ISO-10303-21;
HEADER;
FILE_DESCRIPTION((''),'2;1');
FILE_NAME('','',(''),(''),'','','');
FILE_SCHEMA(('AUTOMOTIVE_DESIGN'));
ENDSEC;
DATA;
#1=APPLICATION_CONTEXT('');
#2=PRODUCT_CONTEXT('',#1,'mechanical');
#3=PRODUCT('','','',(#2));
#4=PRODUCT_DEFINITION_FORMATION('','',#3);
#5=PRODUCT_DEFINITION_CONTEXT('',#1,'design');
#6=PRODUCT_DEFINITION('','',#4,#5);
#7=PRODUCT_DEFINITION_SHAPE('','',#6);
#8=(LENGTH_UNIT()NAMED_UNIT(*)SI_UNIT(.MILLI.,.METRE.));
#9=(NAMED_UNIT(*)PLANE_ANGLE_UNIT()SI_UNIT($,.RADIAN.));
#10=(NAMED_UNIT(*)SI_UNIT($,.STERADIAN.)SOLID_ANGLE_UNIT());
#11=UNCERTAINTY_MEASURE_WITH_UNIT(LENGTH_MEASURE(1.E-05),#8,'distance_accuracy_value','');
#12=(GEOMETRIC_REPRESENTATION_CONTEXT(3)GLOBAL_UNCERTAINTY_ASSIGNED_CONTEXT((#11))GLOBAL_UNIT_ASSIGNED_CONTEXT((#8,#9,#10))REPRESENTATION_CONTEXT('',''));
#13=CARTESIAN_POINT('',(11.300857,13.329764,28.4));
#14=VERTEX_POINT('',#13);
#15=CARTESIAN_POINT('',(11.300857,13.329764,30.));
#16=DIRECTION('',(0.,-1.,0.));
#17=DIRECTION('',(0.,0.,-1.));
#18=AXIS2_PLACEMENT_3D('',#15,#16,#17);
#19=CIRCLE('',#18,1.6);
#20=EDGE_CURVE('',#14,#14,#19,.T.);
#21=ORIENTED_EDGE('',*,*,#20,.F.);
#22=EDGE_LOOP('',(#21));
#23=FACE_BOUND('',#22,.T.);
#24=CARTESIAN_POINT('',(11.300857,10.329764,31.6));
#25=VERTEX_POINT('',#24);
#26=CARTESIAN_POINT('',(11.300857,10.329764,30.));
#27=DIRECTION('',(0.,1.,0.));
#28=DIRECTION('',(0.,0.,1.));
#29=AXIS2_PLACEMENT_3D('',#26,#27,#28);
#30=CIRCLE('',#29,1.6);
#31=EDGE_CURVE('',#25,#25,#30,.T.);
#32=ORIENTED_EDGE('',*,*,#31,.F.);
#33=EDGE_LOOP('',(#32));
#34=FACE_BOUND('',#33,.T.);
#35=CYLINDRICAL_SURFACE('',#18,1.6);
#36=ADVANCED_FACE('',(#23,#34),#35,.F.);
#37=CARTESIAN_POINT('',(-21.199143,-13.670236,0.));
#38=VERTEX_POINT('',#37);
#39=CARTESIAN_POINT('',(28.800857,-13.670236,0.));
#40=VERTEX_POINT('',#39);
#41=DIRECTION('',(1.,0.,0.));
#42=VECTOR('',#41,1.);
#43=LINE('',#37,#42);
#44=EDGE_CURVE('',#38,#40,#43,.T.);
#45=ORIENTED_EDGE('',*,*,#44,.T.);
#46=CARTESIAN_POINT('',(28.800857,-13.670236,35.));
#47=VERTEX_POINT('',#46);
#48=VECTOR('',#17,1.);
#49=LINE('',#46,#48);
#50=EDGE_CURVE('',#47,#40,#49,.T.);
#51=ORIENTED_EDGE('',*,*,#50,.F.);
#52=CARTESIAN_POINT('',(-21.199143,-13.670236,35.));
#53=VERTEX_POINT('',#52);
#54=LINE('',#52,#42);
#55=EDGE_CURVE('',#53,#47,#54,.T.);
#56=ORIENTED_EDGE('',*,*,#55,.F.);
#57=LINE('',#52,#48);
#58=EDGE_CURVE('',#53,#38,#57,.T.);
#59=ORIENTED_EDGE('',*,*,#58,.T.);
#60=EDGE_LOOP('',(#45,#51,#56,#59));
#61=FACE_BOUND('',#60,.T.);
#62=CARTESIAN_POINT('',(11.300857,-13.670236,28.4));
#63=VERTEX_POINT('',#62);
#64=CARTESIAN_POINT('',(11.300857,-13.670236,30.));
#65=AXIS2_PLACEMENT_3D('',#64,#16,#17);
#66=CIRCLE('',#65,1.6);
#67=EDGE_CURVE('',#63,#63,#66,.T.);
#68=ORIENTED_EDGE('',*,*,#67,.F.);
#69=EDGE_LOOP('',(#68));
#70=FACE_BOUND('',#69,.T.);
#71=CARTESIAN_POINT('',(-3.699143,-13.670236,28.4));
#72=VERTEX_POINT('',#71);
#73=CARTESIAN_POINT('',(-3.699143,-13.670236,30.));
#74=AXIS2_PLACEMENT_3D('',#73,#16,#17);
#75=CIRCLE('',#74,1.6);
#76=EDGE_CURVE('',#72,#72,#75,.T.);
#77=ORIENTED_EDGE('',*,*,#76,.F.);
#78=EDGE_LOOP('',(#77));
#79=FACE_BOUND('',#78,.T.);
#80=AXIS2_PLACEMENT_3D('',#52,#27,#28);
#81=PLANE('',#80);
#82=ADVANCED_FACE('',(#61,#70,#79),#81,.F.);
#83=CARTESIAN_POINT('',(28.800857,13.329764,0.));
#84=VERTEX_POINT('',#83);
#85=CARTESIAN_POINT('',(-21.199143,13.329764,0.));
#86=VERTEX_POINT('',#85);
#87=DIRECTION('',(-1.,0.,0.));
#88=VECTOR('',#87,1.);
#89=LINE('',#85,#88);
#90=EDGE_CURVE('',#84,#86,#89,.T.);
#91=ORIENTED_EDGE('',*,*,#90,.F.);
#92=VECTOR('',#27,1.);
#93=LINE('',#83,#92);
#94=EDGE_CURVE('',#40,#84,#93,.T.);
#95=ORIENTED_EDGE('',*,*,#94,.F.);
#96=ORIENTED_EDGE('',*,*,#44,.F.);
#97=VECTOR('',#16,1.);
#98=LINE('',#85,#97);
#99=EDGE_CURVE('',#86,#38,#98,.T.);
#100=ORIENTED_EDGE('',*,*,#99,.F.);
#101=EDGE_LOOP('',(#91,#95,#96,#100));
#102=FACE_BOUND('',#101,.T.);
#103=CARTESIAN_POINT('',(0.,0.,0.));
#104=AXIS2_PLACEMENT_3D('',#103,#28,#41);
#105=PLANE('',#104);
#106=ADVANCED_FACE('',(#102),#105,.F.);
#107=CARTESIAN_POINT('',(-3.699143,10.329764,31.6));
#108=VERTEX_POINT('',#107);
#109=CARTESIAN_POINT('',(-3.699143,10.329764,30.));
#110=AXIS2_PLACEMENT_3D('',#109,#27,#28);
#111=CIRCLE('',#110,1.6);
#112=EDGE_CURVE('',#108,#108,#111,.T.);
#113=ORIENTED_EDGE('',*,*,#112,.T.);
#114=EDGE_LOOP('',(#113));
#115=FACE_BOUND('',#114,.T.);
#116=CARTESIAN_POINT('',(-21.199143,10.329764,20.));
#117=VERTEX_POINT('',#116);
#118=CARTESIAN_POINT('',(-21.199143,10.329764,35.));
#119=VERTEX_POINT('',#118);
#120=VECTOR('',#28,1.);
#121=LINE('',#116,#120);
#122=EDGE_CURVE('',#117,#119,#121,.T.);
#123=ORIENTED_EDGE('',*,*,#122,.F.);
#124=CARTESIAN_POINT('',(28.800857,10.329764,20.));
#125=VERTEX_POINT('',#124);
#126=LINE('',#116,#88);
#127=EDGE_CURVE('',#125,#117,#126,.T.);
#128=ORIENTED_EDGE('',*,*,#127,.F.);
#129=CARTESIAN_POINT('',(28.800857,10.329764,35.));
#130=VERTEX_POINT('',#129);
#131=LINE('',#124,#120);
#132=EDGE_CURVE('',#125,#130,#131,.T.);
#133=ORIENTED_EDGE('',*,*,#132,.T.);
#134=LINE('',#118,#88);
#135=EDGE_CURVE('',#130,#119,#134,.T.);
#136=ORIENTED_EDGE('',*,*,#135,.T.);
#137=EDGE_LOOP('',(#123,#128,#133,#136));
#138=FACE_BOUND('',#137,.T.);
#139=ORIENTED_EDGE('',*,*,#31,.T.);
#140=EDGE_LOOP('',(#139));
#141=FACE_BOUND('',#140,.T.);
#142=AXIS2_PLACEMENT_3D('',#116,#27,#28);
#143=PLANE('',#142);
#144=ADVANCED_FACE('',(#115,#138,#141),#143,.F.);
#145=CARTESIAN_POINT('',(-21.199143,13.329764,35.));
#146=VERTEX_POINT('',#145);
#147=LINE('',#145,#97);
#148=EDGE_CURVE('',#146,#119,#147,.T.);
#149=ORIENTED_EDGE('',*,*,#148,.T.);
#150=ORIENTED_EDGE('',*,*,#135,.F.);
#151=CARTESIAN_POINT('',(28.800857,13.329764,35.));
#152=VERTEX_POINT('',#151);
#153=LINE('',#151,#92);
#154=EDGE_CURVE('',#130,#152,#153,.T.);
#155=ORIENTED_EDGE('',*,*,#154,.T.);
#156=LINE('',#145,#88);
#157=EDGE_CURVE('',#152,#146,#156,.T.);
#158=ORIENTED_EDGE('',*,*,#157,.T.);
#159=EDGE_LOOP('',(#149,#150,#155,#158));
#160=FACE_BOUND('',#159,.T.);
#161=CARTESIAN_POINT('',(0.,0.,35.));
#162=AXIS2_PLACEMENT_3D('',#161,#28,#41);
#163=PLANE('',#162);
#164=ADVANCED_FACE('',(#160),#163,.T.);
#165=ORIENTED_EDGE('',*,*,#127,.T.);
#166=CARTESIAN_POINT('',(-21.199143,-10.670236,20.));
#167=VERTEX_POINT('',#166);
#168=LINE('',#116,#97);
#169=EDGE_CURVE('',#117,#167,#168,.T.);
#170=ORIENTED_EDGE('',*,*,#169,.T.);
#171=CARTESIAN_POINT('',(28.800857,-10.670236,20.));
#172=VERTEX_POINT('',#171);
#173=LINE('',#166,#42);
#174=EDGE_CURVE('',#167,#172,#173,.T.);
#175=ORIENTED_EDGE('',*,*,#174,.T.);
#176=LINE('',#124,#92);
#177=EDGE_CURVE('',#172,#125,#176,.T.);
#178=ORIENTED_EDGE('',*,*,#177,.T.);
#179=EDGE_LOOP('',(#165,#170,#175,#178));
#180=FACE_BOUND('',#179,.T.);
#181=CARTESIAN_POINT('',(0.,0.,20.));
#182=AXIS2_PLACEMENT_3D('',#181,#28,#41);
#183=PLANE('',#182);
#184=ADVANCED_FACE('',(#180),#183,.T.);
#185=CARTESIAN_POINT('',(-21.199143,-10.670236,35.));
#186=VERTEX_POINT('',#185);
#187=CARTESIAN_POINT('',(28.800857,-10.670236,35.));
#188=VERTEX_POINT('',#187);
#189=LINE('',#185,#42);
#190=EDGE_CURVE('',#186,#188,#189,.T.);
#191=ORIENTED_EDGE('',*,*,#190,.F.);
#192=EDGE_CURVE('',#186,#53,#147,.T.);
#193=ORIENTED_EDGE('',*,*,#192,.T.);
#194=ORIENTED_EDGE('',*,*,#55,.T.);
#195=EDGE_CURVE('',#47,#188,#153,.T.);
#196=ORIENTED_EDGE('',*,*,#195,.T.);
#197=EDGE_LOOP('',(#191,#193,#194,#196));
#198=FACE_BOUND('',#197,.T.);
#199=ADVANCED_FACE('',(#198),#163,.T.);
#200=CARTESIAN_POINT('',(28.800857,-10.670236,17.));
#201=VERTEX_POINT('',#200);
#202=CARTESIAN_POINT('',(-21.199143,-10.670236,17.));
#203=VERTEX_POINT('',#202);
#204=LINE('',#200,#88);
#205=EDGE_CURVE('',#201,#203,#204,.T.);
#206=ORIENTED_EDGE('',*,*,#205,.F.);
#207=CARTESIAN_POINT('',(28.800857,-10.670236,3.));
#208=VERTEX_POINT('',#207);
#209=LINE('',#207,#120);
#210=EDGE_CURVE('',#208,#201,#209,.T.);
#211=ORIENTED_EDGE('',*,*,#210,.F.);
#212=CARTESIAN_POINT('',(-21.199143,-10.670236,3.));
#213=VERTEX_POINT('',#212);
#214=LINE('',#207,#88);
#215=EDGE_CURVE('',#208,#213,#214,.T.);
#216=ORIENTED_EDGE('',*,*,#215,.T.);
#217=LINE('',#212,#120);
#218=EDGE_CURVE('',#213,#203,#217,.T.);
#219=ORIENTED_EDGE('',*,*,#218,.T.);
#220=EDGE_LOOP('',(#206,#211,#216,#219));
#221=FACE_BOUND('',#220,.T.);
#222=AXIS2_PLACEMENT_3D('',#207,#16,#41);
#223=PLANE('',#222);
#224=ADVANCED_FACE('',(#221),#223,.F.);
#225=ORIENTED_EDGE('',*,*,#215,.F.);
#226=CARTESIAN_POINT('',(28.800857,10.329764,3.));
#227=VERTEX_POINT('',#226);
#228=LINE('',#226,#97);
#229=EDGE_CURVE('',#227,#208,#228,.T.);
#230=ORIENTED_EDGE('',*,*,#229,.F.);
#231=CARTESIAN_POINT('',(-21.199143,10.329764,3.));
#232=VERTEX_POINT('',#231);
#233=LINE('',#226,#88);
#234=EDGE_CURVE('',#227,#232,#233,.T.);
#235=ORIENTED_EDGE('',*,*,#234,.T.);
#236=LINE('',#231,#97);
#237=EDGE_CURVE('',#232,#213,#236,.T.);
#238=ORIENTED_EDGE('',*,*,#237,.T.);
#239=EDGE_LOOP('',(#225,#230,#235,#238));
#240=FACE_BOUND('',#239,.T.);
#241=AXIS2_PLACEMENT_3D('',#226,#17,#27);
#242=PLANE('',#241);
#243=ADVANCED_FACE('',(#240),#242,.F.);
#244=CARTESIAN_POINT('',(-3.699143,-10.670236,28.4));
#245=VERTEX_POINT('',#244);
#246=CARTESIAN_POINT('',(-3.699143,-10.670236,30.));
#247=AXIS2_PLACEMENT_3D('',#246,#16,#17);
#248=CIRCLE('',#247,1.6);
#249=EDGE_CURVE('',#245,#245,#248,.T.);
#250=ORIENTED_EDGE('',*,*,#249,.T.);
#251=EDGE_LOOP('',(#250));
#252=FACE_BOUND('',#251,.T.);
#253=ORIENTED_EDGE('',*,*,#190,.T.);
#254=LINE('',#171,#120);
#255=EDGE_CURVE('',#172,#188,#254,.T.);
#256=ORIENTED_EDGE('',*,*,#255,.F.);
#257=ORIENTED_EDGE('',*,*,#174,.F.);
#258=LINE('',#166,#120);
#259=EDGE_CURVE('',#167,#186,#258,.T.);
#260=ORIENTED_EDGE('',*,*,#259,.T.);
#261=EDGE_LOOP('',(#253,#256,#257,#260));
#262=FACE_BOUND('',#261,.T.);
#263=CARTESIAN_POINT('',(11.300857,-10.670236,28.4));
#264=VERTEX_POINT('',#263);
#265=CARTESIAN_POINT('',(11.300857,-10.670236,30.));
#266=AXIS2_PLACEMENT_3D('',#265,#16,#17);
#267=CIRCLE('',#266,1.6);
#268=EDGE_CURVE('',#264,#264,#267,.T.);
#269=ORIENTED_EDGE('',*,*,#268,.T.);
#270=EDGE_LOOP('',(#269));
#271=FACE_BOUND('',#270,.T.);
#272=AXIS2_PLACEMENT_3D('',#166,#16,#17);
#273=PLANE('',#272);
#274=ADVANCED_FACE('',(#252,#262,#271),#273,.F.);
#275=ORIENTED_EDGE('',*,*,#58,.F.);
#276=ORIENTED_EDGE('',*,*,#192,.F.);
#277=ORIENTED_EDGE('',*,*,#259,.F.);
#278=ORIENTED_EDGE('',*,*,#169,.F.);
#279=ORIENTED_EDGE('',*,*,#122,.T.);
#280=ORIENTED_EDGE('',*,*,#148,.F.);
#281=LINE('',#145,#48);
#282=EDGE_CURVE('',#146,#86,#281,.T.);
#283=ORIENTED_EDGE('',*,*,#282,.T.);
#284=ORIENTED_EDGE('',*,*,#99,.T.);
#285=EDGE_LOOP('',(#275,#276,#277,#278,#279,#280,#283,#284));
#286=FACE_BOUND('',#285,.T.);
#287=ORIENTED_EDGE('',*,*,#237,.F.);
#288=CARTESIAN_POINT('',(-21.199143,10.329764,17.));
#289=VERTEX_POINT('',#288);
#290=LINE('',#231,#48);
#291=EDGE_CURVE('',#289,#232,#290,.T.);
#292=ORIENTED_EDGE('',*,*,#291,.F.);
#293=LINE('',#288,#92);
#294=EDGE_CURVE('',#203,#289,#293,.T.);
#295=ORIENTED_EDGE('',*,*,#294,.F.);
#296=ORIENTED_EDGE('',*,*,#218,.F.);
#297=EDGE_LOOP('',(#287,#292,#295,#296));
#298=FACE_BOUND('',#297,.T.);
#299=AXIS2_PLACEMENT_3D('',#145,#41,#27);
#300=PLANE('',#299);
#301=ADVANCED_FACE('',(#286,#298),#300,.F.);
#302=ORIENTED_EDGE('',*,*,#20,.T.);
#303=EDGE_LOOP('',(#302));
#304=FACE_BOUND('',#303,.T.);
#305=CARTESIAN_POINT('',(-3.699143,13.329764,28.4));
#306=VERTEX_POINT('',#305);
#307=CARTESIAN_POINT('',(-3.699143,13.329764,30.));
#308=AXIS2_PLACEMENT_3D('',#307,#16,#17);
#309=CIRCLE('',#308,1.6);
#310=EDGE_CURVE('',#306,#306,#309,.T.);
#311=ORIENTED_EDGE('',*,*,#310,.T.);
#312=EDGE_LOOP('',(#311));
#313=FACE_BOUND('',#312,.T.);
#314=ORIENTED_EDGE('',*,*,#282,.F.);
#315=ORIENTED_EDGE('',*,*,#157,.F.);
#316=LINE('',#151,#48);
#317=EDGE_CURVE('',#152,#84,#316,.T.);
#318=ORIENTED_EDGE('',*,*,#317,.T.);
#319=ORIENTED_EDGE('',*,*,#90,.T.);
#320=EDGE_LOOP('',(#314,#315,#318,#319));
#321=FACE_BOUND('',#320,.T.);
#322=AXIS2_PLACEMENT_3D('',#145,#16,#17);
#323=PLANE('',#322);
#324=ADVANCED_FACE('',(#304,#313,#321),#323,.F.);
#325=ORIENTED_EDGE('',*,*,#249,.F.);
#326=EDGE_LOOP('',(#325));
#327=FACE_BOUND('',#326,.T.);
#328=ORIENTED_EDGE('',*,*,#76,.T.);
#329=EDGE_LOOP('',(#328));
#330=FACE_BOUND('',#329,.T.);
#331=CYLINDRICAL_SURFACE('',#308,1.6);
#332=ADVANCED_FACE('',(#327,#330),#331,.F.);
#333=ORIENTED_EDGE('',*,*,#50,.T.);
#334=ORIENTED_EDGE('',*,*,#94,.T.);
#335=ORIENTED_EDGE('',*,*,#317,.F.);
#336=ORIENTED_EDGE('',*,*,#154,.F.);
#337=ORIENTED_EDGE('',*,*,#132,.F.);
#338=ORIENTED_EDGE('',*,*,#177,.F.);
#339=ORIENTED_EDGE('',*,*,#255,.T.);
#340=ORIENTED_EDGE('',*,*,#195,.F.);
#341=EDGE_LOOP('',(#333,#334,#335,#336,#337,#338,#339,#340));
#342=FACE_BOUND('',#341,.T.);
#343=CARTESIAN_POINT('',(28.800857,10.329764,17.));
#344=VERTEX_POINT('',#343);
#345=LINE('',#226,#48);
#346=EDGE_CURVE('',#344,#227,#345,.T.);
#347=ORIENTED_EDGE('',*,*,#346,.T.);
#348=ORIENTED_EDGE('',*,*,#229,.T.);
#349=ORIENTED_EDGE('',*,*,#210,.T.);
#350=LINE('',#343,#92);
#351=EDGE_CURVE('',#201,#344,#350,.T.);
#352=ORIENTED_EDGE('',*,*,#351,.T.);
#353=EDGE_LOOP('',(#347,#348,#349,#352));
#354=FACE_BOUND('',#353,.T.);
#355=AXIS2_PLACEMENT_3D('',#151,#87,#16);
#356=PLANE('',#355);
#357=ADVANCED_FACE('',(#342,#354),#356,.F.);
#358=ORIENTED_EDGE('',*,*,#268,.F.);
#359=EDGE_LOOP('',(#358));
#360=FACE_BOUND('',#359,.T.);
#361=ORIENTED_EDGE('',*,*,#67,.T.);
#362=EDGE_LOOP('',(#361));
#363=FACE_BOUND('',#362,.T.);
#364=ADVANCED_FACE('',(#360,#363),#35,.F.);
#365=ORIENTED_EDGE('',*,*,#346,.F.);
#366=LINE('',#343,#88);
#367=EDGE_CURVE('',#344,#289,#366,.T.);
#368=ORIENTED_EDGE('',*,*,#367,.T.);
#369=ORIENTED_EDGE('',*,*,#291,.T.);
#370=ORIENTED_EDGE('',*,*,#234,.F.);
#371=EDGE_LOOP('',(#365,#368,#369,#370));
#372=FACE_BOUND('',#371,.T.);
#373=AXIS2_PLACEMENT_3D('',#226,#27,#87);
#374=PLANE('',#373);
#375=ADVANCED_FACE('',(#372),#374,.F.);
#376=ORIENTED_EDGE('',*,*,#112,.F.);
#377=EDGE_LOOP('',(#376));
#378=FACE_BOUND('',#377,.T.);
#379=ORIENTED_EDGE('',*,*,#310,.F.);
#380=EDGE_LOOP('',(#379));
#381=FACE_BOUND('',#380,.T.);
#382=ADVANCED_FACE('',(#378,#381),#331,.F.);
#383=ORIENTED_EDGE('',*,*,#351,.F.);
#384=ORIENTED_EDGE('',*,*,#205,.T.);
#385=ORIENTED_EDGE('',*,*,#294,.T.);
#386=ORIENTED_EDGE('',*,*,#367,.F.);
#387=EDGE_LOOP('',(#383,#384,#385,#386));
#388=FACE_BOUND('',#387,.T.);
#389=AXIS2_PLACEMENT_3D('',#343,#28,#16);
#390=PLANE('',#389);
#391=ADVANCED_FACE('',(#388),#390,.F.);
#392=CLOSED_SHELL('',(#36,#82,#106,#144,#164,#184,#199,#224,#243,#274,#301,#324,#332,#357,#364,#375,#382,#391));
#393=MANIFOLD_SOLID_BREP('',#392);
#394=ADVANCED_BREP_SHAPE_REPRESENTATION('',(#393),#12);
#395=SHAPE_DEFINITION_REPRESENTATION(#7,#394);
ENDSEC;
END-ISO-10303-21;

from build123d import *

# Parameters (mm, degrees)
SKETCH_1_W          = 50
SKETCH_1_H          = 27
EXTRUDE_1_DEPTH     = 35
SKETCH_2_W          = 50
SKETCH_2_H          = 21
CUT_EXTRUDE_1_DEPTH = 15
SKETCH_3_R          = 1.6
CUT_EXTRUDE_2_DEPTH = 53.758784453
SKETCH_4_W          = 14
SKETCH_4_H          = 21
CUT_EXTRUDE_3_DEPTH = 63.544986529


with BuildPart() as part:
    # 草图1 → 凸台-拉伸1 (new body)
    with BuildSketch(Plane.XY):
        with Locations((3.800856531, -0.170235546)):
            Rectangle(SKETCH_1_W, SKETCH_1_H)
    extrude(amount=EXTRUDE_1_DEPTH)

    # 草图2 → 切除-拉伸1 (cut)
    with BuildSketch(Plane.XY.offset(35)):
        with Locations((3.800856531, -0.170235546)):
            Rectangle(SKETCH_2_W, SKETCH_2_H)
    extrude(amount=-CUT_EXTRUDE_1_DEPTH, mode=Mode.SUBTRACT)

    # 草图3 → 切除-拉伸2 (cut, through all)
    with BuildSketch(Plane.XZ.offset(13.670235546)):
        with Locations(Location((-3.699143469, 30, 0), (0, 0, 270))):
            Circle(SKETCH_3_R)
        with Locations(Location((11.300856531, 30, 0), (0, 0, 270))):
            Circle(SKETCH_3_R)
    extrude(amount=-CUT_EXTRUDE_2_DEPTH, mode=Mode.SUBTRACT)

    # 草图4 → 切除-拉伸3 (cut, through all)
    with BuildSketch(Plane.ZY.offset(21.199143469)):
        with Locations((10, -0.170235546)):
            Rectangle(SKETCH_4_W, SKETCH_4_H)
    extrude(amount=-CUT_EXTRUDE_3_DEPTH, mode=Mode.SUBTRACT)


solid = part.part
